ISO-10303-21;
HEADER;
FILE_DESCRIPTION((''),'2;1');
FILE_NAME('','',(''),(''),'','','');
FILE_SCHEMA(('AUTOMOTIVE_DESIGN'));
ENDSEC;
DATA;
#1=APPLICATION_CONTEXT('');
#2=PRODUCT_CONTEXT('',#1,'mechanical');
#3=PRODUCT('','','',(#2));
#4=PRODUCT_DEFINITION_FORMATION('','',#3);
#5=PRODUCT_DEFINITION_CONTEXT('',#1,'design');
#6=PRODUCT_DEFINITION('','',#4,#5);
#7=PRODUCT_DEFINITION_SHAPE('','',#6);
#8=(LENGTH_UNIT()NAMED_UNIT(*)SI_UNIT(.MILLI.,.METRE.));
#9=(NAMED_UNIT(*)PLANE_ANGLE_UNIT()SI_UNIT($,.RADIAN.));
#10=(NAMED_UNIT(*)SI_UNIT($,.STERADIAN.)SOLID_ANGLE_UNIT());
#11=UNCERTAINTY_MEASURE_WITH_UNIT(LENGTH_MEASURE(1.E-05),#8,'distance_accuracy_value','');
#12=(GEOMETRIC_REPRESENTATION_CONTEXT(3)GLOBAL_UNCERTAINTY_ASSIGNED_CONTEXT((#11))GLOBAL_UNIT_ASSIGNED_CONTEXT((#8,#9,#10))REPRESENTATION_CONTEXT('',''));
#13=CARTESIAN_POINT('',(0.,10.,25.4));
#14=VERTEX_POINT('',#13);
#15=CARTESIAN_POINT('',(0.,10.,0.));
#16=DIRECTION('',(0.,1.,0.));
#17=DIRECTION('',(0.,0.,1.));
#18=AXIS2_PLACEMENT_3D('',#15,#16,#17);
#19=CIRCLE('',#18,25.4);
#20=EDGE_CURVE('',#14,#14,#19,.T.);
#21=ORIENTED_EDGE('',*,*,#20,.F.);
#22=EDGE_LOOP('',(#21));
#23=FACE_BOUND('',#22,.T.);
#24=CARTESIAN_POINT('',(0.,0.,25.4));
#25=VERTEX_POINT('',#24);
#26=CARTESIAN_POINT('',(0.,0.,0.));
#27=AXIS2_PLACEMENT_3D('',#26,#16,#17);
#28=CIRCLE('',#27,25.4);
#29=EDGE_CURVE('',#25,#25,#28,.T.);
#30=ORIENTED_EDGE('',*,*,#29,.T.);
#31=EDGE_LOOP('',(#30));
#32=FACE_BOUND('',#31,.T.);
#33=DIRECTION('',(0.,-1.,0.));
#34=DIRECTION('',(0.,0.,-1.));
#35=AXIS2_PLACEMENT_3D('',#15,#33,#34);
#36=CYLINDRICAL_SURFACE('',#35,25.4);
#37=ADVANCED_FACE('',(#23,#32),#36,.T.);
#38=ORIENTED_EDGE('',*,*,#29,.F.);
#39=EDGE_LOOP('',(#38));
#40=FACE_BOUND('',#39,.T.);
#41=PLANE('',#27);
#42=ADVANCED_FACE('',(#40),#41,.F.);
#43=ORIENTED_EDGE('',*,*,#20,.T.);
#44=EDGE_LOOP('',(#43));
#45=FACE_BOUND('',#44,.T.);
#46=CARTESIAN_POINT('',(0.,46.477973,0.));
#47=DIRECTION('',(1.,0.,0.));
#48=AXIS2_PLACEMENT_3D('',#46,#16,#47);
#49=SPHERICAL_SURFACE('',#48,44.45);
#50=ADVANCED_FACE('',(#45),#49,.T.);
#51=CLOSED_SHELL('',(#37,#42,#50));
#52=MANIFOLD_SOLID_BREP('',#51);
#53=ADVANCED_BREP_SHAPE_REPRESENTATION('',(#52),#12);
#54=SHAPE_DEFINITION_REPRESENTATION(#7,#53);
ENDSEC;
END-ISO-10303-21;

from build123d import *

# Parameters (mm, degrees)
SKETCH1_R           = 25.4
BOSS_EXTRUDE1_DEPTH = 10


with BuildPart() as part:
    # Sketch1 → Boss-Extrude1 (new body)
    with BuildSketch(Plane(origin=(0, 0, 0), x_dir=(1, 0, 0), z_dir=(0, 1, 0))):
        with Locations(Location((0, 0, 0), (0, 0, 270))):
            Circle(SKETCH1_R)
    extrude(amount=BOSS_EXTRUDE1_DEPTH)

    # Sketch2 one side → Revolve1 (revolve)
    with BuildSketch(Plane.XY):
        with BuildLine():
            Line((25.4, 10), (0, 10))
            Line((0, 10), (0, 2.027972806))
            ThreePointArc((0, 2.027972806), (13.310834098, 4.067783044), (25.4, 10))
        make_face()
        with BuildLine():
            ThreePointArc((44.45, 46.477972806), (31.430896424, 77.908869229), (0, 90.927972806))
            Line((0, 90.927972806), (0, 10))
            Line((0, 10), (25.4, 10))
            ThreePointArc((25.4, 10), (39.400713826, 25.901621088), (44.45, 46.477972806))
        make_face()
    revolve(axis=Axis((0, 145.460296173, 0), (0, -1, 0)))


solid = part.part
